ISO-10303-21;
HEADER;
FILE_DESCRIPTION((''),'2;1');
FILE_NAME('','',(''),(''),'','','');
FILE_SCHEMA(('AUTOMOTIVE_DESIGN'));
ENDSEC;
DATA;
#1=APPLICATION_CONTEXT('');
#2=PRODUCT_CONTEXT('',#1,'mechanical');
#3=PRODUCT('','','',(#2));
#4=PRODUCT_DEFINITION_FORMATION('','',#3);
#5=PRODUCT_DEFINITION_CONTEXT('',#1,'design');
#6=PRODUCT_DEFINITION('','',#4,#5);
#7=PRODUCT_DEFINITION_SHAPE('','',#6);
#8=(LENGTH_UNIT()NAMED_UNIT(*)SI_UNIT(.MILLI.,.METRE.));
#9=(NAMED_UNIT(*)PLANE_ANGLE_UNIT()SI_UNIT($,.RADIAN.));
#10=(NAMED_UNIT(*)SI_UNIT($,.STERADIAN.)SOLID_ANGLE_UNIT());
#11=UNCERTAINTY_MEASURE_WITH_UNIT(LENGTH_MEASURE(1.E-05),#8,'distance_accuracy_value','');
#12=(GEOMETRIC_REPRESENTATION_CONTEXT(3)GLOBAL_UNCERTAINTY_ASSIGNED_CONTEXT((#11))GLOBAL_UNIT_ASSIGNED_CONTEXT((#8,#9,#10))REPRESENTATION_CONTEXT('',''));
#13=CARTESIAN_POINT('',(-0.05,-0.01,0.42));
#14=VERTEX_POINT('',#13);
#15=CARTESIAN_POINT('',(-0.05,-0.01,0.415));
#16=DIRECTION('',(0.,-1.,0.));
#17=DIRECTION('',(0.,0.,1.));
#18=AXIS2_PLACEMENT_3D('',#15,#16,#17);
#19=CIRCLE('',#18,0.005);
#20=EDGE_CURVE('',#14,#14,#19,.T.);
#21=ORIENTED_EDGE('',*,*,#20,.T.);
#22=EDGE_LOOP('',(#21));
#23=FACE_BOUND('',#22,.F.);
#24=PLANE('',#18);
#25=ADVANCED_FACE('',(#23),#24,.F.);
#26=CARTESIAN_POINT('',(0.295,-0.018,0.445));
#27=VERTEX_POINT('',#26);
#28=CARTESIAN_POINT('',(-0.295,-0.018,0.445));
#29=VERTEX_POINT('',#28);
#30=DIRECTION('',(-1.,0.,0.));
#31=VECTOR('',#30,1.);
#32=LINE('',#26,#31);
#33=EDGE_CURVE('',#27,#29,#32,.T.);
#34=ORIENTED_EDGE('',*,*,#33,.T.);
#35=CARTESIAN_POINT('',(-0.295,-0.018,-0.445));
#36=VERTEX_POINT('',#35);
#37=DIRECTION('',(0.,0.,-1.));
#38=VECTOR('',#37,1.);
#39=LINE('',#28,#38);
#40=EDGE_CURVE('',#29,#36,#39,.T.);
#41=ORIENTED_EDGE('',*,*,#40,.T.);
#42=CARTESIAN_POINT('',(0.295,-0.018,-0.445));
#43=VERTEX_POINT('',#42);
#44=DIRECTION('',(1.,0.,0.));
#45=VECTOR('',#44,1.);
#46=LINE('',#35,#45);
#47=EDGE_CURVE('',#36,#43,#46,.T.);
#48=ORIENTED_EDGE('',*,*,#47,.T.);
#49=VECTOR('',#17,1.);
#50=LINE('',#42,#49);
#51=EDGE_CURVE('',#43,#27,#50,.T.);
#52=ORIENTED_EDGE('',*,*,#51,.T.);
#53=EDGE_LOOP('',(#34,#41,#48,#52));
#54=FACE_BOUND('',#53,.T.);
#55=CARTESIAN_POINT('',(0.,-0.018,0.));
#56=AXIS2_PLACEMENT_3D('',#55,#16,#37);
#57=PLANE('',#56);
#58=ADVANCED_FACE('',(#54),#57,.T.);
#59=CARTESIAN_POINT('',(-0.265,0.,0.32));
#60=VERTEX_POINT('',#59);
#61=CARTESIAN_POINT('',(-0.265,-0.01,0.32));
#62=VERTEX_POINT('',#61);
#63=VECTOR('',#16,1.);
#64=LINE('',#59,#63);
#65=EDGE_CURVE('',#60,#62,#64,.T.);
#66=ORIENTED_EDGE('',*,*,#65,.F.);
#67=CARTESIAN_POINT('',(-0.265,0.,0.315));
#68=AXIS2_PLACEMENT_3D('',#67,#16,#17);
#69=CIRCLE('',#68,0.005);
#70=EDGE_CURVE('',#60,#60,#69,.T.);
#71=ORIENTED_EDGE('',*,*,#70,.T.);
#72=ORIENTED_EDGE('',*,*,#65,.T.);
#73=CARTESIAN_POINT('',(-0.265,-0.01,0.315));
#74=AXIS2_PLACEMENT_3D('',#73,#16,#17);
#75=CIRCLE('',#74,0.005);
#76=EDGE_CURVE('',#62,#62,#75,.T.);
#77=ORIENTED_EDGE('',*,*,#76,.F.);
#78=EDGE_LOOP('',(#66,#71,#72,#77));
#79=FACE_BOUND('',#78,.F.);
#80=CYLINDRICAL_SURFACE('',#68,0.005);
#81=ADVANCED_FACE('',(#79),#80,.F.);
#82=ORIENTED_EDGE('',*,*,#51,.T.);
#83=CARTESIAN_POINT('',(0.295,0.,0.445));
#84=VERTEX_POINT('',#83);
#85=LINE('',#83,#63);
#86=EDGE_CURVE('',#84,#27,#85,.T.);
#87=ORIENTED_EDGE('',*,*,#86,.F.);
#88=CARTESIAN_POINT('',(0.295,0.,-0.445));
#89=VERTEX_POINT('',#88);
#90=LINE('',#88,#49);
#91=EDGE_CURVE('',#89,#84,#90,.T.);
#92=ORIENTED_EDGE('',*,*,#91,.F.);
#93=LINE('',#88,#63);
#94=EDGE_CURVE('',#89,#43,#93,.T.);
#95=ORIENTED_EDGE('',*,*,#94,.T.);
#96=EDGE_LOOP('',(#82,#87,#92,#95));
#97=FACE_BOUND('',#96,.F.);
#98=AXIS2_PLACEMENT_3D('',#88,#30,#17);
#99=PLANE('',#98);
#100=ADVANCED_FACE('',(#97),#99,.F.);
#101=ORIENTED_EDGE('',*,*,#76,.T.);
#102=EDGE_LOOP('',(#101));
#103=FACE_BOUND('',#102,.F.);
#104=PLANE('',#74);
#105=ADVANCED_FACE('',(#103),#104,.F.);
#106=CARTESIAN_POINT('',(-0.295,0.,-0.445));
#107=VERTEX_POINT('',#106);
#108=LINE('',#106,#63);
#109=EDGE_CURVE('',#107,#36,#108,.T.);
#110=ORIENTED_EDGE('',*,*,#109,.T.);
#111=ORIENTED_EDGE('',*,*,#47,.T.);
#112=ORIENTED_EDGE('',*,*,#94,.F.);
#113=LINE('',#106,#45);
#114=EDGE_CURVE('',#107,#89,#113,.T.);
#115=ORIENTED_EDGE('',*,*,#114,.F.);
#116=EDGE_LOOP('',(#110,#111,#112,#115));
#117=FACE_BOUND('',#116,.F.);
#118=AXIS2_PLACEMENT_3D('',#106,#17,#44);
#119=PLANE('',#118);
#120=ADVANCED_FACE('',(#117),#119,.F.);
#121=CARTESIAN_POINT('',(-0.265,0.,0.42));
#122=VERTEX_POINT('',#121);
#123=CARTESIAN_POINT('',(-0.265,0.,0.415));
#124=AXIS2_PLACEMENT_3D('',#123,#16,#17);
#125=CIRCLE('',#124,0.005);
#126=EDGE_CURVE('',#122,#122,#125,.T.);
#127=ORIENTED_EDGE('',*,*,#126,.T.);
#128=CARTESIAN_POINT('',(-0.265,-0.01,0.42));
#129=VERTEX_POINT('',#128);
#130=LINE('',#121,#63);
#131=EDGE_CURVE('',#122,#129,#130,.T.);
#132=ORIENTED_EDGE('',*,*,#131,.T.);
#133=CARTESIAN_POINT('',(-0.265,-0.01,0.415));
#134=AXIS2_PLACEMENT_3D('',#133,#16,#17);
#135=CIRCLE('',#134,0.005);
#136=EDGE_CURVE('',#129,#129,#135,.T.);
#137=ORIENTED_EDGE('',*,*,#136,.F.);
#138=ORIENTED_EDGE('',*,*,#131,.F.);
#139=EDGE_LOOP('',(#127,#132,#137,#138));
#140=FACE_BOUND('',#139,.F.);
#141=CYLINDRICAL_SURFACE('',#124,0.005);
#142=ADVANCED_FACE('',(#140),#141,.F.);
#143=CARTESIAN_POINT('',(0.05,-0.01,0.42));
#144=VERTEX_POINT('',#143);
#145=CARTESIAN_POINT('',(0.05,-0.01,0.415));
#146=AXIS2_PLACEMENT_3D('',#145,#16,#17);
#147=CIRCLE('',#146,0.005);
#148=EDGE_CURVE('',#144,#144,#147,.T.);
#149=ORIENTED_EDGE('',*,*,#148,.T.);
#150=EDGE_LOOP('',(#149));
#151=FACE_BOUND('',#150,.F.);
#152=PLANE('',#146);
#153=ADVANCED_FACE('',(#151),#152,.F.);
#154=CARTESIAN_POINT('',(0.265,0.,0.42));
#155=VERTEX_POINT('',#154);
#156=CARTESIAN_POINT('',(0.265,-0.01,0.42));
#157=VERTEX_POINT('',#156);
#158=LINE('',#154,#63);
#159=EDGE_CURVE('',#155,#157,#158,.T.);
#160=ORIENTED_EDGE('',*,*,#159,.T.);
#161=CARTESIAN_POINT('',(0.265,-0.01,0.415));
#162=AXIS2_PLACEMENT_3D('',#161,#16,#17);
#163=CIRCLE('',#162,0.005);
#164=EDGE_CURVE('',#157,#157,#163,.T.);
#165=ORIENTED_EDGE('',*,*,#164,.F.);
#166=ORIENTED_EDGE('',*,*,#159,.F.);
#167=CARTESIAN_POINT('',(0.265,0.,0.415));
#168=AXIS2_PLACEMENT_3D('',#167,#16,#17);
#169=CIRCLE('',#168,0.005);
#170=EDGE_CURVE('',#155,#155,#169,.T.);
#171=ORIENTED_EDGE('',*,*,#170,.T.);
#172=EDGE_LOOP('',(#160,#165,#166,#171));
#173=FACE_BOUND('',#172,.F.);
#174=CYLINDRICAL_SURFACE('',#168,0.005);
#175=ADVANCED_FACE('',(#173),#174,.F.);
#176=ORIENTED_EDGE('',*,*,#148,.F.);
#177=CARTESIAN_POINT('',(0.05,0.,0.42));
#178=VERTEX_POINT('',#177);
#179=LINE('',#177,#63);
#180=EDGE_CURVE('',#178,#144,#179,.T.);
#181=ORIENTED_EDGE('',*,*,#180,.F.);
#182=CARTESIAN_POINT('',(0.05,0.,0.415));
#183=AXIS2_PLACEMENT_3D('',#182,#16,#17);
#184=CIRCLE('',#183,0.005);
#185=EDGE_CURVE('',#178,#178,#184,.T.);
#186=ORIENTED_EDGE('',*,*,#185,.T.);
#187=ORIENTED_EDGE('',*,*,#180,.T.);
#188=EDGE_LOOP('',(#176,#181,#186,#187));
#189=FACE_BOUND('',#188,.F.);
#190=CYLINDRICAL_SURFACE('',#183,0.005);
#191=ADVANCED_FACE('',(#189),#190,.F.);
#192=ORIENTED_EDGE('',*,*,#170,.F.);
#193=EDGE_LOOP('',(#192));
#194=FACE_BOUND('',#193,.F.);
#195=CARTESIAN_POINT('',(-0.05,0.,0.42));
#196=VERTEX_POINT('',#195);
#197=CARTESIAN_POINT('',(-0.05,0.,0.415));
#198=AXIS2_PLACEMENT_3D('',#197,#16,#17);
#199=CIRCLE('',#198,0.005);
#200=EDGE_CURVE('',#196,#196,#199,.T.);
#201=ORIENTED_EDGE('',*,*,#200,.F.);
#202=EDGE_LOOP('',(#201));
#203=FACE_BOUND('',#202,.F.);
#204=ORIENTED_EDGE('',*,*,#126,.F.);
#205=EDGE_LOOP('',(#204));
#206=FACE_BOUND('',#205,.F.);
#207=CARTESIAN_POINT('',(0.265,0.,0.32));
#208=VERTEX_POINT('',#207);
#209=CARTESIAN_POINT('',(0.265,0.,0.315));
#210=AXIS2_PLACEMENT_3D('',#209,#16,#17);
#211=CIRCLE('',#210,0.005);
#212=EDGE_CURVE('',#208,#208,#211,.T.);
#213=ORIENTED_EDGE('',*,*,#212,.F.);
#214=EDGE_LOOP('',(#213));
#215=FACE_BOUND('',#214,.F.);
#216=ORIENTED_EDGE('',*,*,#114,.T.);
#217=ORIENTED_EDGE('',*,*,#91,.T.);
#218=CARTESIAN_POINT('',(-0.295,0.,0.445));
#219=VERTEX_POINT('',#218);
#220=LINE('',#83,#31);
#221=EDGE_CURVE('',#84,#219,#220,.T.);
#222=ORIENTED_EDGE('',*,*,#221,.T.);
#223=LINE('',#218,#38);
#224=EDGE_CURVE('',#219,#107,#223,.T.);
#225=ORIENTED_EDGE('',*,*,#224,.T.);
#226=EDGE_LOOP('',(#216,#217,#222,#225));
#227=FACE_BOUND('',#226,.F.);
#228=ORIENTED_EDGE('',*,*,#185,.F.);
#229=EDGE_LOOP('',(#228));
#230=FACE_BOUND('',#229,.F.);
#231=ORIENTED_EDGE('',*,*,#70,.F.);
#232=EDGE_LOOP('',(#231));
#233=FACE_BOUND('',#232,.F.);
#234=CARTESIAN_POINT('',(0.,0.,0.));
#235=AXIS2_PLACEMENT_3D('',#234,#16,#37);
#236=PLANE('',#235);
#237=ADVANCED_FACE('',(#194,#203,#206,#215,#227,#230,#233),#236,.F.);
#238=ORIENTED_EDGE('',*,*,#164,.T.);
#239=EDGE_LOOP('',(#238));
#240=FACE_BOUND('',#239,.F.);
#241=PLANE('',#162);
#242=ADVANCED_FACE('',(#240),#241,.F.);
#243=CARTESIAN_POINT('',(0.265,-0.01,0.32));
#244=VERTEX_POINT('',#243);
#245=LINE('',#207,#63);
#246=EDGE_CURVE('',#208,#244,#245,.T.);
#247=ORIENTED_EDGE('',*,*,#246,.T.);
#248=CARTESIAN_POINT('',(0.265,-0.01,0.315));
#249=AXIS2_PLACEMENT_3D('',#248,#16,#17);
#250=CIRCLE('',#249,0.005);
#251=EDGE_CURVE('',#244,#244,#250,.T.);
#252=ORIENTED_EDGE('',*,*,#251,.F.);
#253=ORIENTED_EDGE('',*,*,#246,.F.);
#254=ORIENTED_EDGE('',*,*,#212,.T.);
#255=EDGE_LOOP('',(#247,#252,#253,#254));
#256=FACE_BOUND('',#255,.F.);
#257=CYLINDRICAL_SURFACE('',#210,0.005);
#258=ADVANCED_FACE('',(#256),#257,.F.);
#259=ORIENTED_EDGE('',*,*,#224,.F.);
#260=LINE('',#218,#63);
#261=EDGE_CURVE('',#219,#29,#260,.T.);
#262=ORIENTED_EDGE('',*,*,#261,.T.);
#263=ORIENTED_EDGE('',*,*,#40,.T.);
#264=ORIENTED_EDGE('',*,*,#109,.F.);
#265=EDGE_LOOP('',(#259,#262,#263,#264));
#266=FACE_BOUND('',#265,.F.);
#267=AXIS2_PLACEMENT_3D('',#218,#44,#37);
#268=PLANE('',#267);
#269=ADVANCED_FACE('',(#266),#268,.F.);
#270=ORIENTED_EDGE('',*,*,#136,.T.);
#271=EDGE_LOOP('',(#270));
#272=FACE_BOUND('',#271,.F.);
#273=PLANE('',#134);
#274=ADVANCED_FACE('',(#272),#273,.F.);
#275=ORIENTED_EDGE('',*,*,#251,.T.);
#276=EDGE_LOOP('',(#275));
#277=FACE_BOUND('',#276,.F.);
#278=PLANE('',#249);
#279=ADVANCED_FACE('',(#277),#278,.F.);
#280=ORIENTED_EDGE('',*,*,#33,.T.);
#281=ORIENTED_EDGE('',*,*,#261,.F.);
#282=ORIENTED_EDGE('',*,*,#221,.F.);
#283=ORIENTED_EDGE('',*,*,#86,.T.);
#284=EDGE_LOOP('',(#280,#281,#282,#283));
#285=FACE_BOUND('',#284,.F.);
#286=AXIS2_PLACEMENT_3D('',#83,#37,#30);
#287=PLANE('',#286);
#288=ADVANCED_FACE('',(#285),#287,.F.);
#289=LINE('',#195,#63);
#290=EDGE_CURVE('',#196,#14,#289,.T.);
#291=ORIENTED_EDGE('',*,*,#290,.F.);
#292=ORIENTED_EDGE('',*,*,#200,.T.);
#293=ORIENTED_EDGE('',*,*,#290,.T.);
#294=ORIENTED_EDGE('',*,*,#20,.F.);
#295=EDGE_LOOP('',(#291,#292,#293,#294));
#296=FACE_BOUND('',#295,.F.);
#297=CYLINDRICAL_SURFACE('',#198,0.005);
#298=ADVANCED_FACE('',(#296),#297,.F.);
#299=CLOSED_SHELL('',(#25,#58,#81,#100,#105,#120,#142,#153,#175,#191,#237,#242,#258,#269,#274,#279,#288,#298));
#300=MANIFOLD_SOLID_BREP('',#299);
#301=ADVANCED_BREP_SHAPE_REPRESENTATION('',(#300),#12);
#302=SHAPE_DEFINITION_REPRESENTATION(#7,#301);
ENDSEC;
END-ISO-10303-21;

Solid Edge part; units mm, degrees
sketch "Sketch1" plane through (0, 0, 0) normal (0, -1, 0) x (1, 0, 0)
  line L0 (-0.295, -0.445) -> (0.295, -0.445)
  line L1 (0.295, -0.445) -> (0.295, 0.445)
  line L2 (0.295, 0.445) -> (-0.295, 0.445)
  line L3 (-0.295, 0.445) -> (-0.295, -0.445)
  dimension "D1" = 0.89
  dimension "D2" = 0.59
extrude "Protrusion1" add sketch "Sketch1" along normal blind 0.018
hole "Bohrung_1" at (-0.05, 0, 0.415) direction (0, -1, 0) diameter 0.01 depth 0.01
hole "Hole1" at (0.05, 0, 0.415) direction (0, -1, 0) diameter 0.01 depth 0.01
hole "Hole2" at (0.265, 0, 0.415) direction (0, -1, 0) diameter 0.01 depth 0.01
hole "Hole3" at (0.265, 0, 0.315) direction (0, -1, 0) diameter 0.01 depth 0.01
hole "Hole4" at (-0.265, 0, 0.315) direction (0, -1, 0) diameter 0.01 depth 0.01
hole "Hole5" at (-0.265, 0, 0.415) direction (0, -1, 0) diameter 0.01 depth 0.01
